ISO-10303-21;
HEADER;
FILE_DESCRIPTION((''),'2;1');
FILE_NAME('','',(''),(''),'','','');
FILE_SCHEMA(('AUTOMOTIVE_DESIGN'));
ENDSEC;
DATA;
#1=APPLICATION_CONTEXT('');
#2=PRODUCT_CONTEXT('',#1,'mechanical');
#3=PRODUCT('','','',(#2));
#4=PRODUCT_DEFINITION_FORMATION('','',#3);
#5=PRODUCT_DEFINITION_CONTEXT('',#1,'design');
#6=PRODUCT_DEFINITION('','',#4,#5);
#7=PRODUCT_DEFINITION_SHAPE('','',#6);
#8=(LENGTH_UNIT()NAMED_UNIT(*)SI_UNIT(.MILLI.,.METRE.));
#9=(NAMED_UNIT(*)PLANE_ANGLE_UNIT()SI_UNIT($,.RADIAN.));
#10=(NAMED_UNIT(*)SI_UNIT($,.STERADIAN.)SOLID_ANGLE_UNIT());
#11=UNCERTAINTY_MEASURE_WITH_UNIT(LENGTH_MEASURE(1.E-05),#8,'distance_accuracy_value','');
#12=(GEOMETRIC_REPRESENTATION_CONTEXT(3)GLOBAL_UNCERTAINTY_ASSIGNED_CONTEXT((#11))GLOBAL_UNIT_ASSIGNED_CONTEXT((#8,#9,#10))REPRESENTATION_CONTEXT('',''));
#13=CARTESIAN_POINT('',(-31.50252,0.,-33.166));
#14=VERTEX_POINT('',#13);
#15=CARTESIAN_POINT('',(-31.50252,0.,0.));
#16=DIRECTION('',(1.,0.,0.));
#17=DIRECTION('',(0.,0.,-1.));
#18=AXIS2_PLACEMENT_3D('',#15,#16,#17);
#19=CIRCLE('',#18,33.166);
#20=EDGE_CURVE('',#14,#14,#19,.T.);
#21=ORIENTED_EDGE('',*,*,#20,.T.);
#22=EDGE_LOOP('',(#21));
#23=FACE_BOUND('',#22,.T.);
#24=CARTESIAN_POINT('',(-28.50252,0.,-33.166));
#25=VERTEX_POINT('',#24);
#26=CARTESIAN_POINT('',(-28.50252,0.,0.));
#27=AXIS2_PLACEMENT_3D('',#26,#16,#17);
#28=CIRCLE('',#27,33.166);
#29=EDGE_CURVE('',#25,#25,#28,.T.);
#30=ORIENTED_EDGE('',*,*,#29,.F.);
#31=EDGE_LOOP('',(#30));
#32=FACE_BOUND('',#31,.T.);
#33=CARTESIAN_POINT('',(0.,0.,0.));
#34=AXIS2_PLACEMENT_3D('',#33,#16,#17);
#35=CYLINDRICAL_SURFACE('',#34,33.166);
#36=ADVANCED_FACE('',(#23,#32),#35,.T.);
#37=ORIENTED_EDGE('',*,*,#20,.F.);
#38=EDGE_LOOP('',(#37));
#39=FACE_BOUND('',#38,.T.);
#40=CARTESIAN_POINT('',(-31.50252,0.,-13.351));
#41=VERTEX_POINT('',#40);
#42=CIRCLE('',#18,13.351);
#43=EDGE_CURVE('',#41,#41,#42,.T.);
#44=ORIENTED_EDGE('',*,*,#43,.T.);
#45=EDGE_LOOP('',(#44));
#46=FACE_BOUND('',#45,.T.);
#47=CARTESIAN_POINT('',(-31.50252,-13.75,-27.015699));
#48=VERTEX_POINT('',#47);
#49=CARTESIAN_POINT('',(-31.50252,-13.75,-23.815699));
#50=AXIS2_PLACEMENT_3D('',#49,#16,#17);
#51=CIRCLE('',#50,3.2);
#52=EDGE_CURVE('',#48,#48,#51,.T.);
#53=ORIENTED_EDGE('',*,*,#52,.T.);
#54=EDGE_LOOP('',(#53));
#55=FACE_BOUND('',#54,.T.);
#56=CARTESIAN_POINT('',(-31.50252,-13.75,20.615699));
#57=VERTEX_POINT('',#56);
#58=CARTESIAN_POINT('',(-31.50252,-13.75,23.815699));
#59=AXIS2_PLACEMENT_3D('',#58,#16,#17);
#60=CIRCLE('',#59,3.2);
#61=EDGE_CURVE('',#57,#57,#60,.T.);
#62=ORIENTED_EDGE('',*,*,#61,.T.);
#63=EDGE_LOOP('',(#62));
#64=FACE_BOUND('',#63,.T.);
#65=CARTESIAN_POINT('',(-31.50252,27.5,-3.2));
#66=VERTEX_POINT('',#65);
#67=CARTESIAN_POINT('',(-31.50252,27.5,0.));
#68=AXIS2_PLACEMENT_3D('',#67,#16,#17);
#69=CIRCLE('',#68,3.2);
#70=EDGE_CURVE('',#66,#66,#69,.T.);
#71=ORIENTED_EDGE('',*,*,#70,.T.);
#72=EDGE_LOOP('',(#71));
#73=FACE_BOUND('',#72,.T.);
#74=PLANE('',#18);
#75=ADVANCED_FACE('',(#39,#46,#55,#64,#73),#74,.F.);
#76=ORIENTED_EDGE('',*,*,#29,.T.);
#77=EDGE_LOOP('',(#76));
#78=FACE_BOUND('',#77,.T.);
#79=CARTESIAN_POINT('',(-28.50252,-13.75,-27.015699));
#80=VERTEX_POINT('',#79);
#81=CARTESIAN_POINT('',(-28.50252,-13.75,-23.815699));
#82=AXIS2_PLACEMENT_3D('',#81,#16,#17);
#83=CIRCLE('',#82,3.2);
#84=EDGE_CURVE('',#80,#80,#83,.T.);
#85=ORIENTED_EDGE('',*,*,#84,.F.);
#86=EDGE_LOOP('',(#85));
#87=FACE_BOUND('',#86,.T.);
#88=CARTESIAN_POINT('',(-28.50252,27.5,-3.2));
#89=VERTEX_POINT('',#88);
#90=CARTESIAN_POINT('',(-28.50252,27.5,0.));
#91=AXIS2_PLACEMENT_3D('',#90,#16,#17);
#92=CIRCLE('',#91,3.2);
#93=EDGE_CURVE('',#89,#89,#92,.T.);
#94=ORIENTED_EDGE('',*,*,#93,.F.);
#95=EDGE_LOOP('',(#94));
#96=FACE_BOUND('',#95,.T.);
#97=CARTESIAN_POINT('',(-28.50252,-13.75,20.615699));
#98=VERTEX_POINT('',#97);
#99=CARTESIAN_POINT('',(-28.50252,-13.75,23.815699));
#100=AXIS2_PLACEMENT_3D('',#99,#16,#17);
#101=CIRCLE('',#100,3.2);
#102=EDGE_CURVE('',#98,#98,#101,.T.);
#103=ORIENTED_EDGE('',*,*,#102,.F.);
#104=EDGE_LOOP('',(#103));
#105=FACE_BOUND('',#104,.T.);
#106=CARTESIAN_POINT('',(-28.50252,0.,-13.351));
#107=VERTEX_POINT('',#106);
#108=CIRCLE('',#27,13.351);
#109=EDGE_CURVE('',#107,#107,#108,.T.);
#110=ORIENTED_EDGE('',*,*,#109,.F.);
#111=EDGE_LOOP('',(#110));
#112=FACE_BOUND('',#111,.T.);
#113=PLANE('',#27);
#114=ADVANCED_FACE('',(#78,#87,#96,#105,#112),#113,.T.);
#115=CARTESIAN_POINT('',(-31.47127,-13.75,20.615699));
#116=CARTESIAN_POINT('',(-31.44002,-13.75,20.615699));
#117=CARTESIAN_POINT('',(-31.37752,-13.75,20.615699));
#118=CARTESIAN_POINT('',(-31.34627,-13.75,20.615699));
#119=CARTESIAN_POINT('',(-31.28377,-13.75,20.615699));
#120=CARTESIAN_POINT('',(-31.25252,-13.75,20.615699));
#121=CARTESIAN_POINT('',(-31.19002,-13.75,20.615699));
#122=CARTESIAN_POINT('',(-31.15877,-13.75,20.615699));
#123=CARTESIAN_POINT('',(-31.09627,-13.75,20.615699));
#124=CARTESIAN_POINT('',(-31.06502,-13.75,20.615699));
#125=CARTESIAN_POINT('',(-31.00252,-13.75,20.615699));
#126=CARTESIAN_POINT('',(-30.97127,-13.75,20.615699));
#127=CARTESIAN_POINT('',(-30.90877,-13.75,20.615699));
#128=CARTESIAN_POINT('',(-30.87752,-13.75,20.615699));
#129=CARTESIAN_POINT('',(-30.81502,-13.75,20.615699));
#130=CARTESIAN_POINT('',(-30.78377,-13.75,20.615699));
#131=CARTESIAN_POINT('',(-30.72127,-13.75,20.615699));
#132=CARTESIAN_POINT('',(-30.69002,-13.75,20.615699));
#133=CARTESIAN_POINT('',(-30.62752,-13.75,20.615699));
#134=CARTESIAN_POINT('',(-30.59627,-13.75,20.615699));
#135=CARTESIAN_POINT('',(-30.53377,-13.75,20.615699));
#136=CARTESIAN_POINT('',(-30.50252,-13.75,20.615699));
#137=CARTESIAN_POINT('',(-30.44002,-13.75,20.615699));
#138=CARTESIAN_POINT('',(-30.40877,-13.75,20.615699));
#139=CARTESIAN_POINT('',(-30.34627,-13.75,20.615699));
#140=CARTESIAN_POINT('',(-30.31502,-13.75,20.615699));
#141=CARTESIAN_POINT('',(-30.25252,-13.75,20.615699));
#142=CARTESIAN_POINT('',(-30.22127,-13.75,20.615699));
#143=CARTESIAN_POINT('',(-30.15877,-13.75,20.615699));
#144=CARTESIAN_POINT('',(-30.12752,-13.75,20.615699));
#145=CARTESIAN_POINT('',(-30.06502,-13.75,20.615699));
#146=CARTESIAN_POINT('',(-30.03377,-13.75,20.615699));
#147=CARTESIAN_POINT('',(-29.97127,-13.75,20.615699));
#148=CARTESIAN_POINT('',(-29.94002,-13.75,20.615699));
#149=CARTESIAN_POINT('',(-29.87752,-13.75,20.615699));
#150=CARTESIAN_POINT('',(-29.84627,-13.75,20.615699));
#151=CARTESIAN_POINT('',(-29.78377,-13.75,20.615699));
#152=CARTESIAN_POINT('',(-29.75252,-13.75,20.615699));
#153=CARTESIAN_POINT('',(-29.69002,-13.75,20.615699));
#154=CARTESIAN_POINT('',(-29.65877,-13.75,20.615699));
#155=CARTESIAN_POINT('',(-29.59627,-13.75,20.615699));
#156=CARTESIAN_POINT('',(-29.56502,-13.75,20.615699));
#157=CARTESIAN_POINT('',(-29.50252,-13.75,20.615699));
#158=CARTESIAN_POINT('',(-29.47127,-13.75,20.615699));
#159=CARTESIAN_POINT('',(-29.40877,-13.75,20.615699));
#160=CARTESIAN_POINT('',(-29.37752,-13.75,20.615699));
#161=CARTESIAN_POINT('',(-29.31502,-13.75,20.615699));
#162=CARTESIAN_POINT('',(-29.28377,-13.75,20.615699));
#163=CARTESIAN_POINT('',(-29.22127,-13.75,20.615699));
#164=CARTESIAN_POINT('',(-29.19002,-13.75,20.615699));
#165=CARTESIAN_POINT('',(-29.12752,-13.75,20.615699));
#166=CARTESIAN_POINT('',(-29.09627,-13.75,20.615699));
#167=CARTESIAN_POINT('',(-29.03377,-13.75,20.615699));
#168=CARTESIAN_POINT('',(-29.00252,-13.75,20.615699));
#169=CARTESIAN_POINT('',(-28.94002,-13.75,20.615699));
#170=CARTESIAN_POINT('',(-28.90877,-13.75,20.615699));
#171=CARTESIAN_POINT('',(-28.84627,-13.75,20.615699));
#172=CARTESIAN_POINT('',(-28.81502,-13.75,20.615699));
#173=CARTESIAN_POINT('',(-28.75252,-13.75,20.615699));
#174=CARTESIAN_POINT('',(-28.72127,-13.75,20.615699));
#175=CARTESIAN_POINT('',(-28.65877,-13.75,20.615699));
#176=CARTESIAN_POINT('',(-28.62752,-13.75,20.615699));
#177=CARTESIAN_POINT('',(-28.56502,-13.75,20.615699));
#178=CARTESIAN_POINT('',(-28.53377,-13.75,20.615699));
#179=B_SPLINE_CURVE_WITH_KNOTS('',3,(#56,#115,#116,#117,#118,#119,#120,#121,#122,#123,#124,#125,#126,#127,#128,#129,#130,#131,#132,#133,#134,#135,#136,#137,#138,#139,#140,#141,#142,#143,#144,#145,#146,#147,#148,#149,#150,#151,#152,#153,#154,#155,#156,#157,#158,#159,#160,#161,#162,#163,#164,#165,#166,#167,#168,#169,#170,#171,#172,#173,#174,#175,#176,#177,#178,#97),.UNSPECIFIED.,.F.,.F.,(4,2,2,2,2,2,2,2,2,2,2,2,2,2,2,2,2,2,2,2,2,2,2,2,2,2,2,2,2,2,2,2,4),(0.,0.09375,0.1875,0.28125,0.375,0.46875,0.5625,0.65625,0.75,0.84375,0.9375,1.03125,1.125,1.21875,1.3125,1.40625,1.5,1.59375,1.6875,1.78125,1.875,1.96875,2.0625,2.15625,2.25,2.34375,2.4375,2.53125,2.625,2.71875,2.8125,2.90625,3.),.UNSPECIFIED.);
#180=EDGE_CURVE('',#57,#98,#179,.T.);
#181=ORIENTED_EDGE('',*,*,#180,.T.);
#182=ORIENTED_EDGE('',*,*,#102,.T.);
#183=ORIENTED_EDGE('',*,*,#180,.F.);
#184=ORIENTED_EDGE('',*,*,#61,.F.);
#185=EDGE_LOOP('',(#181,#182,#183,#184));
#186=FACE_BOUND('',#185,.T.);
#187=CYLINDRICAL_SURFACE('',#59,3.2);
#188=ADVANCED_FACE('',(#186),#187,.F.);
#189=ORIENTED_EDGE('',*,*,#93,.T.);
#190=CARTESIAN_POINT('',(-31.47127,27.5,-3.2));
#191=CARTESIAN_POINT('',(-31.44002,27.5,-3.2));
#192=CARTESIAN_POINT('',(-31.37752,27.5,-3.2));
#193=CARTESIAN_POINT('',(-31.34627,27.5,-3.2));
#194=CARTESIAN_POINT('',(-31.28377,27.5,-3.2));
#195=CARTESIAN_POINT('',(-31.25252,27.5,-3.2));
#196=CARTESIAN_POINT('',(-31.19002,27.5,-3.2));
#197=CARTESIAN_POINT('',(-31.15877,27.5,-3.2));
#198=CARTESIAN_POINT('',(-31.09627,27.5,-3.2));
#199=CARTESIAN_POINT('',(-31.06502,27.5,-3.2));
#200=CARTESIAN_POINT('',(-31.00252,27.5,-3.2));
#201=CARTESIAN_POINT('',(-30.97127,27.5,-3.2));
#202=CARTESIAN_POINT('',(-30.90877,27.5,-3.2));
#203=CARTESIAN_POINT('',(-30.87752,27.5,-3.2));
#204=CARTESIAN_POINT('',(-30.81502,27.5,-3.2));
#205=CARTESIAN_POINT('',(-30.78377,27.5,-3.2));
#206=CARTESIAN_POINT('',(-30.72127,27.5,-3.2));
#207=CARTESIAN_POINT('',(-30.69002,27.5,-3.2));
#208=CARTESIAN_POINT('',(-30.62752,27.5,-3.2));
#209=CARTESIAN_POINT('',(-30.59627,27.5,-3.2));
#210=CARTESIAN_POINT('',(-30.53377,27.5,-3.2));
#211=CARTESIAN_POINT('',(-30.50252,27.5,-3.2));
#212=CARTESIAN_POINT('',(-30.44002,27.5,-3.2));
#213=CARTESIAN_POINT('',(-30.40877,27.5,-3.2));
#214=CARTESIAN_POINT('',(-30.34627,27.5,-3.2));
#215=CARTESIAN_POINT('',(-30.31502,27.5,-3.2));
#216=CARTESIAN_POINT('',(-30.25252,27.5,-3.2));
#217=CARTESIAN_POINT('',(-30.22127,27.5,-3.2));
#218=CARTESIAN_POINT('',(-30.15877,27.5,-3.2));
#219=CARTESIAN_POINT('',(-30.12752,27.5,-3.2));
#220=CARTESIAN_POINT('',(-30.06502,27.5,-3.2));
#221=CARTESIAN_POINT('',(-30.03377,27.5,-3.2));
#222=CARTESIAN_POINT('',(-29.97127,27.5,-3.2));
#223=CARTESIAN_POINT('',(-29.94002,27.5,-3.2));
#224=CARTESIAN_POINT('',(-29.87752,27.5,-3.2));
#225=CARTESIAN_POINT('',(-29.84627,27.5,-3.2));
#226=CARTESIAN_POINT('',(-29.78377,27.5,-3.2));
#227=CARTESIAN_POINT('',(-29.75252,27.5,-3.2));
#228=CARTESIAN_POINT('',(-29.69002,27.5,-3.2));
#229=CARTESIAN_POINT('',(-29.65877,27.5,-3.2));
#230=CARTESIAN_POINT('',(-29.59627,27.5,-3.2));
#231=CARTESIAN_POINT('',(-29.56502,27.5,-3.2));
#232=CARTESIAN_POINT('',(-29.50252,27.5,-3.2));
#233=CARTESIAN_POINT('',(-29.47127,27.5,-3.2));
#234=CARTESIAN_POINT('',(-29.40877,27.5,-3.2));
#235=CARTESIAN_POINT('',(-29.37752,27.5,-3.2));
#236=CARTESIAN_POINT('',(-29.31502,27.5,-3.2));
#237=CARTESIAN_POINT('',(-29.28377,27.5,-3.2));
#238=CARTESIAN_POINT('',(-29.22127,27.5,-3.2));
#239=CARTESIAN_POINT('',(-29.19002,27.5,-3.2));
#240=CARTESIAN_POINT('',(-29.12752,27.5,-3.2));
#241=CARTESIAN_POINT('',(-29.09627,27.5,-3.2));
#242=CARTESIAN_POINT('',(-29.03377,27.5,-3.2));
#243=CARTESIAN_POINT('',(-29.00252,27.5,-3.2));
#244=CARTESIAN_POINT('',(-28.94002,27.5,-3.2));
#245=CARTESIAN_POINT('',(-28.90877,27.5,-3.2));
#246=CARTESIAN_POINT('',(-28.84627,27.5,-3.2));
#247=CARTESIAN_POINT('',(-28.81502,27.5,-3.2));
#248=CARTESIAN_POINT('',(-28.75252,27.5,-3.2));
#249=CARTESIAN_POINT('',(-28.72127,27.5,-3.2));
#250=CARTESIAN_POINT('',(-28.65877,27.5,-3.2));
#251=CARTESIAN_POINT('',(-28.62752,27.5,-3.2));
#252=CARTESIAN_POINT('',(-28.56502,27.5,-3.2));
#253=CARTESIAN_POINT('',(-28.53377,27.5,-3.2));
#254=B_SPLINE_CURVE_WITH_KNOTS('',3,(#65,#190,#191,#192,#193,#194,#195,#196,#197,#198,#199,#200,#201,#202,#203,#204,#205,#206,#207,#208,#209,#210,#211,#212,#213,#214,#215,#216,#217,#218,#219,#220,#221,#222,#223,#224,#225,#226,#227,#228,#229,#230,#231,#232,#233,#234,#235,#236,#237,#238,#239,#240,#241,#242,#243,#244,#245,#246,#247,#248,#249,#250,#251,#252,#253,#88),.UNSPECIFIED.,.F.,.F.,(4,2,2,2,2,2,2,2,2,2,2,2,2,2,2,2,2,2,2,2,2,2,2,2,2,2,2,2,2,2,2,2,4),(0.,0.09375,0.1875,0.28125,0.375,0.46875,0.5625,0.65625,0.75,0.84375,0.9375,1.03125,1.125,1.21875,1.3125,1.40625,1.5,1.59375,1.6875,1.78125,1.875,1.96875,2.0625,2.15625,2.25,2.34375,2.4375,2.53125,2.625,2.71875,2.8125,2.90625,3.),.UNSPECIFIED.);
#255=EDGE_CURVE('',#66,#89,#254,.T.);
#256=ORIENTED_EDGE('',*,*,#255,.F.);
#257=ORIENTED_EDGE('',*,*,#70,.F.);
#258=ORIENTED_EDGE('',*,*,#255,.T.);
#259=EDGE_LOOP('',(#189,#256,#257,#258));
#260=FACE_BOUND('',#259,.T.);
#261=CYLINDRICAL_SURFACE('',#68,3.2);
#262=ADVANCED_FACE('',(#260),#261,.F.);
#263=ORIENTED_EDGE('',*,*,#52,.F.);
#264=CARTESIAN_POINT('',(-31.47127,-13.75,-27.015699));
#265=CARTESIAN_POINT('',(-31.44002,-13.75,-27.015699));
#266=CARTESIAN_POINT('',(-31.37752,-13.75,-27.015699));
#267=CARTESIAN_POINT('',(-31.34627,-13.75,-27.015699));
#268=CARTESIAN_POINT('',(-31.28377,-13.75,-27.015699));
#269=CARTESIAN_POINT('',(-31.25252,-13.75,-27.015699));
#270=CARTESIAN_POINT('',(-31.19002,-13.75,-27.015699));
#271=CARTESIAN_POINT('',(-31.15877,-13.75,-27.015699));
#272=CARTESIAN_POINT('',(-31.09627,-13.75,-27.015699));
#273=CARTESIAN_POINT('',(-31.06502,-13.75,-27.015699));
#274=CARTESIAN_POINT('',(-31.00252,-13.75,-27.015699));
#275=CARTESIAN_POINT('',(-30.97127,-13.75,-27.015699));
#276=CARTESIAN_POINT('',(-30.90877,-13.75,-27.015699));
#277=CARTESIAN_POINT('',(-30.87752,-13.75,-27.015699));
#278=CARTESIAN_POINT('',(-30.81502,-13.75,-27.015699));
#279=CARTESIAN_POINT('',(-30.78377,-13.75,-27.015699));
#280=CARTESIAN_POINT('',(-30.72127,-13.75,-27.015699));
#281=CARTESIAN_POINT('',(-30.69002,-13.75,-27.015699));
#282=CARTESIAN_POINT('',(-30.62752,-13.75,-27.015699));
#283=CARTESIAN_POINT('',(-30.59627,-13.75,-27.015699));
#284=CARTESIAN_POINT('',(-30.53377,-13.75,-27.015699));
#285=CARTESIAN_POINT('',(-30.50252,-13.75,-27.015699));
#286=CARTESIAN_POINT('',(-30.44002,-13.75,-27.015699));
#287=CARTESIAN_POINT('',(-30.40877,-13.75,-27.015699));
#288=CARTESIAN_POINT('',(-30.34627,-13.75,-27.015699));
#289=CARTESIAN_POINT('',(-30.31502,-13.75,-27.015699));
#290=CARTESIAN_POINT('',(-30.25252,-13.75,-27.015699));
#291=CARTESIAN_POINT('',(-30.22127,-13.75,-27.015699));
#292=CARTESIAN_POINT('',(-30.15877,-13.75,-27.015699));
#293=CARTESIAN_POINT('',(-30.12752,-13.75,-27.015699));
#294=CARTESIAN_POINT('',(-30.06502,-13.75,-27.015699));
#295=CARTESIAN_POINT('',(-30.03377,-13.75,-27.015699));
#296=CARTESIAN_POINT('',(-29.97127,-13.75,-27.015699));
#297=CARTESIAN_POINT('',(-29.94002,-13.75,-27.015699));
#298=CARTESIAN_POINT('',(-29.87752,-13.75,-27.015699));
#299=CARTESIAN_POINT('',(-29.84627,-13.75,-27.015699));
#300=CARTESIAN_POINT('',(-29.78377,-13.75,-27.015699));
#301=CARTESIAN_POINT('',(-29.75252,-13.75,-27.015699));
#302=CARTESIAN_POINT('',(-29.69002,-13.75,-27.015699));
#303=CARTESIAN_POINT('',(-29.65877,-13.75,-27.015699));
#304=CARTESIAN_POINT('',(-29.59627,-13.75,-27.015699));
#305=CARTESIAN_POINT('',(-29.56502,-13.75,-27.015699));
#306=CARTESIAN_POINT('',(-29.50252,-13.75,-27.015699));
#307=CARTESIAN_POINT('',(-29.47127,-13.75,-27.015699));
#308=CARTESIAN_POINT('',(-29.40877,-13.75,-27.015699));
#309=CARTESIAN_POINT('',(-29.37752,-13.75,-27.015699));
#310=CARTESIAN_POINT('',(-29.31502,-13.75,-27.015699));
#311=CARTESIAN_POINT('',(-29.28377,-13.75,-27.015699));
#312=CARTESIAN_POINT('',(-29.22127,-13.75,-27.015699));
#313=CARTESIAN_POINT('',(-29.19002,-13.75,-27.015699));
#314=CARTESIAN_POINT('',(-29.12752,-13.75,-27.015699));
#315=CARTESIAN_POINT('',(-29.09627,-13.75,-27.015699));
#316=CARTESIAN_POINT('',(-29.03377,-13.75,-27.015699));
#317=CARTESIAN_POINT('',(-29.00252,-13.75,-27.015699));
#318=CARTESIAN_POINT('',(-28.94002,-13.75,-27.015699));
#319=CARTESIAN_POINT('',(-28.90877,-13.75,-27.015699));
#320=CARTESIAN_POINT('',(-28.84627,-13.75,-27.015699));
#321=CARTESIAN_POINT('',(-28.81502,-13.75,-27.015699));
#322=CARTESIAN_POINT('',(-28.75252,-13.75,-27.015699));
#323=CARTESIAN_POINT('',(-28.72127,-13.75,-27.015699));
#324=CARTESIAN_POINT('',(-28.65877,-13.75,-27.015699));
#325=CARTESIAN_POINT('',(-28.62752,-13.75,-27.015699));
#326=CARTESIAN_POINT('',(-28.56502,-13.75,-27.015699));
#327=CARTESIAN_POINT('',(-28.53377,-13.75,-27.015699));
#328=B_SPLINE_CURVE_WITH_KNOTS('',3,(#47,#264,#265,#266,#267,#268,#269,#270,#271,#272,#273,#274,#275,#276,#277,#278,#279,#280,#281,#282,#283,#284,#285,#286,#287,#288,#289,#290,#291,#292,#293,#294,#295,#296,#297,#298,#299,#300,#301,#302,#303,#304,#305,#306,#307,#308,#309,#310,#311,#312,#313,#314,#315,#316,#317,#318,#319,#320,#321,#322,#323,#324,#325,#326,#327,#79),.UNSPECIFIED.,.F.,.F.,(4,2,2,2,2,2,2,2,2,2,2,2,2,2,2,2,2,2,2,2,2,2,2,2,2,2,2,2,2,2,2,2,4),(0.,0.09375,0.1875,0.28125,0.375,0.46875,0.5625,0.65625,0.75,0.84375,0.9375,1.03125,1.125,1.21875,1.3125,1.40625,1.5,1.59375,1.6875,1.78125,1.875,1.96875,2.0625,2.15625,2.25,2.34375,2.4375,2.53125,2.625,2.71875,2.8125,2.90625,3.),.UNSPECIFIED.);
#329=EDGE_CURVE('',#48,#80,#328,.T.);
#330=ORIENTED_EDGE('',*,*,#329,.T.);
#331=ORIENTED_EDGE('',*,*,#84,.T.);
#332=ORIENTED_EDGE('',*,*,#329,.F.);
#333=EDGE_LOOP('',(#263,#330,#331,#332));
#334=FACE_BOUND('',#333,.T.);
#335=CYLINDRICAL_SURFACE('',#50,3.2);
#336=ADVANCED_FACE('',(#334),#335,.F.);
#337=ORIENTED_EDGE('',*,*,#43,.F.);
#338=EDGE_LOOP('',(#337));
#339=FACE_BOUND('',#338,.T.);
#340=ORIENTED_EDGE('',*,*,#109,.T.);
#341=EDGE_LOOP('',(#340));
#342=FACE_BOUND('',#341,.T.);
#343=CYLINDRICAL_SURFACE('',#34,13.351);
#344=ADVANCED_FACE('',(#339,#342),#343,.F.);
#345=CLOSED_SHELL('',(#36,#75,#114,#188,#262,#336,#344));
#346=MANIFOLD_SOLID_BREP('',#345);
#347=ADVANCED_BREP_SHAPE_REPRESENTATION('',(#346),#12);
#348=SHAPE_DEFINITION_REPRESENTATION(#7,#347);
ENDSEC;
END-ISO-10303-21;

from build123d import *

# Parameters (mm, degrees)
SZKIC1_W                   = 3
SZKIC1_H                   = 19.815
SZKIC2_R                   = 3.2
WYTNIJ_WYCI_GNI_CIE1_DEPTH = 47.999650126


with BuildPart() as part:
    # Szkic1 → Obrót2 (revolve)
    with BuildSketch(Plane.XY, mode=Mode.PRIVATE) as obr_t2_sk:
        with Locations((-30.002520162, 23.2585)):
            Rectangle(SZKIC1_W, SZKIC1_H)
    revolve(obr_t2_sk.sketch.rotate(Axis((0, 0, 0), (-1, 0, 0)), 90), axis=Axis((0, 0, 0), (-1, 0, 0)))

    # Szkic2 → Wytnij-wyciągnięcie1 (cut, through all)
    with BuildSketch(Plane(origin=(-28.502520162, 0, 0), x_dir=(0, 0, -1), z_dir=(1, 0, 0))):
        with Locations((0, 27.5)):
            Circle(SZKIC2_R)
        with Locations((23.815698604, -13.75)):
            Circle(SZKIC2_R)
        with Locations((-23.815698604, -13.75)):
            Circle(SZKIC2_R)
    extrude(amount=-WYTNIJ_WYCI_GNI_CIE1_DEPTH, mode=Mode.SUBTRACT)


solid = part.part
